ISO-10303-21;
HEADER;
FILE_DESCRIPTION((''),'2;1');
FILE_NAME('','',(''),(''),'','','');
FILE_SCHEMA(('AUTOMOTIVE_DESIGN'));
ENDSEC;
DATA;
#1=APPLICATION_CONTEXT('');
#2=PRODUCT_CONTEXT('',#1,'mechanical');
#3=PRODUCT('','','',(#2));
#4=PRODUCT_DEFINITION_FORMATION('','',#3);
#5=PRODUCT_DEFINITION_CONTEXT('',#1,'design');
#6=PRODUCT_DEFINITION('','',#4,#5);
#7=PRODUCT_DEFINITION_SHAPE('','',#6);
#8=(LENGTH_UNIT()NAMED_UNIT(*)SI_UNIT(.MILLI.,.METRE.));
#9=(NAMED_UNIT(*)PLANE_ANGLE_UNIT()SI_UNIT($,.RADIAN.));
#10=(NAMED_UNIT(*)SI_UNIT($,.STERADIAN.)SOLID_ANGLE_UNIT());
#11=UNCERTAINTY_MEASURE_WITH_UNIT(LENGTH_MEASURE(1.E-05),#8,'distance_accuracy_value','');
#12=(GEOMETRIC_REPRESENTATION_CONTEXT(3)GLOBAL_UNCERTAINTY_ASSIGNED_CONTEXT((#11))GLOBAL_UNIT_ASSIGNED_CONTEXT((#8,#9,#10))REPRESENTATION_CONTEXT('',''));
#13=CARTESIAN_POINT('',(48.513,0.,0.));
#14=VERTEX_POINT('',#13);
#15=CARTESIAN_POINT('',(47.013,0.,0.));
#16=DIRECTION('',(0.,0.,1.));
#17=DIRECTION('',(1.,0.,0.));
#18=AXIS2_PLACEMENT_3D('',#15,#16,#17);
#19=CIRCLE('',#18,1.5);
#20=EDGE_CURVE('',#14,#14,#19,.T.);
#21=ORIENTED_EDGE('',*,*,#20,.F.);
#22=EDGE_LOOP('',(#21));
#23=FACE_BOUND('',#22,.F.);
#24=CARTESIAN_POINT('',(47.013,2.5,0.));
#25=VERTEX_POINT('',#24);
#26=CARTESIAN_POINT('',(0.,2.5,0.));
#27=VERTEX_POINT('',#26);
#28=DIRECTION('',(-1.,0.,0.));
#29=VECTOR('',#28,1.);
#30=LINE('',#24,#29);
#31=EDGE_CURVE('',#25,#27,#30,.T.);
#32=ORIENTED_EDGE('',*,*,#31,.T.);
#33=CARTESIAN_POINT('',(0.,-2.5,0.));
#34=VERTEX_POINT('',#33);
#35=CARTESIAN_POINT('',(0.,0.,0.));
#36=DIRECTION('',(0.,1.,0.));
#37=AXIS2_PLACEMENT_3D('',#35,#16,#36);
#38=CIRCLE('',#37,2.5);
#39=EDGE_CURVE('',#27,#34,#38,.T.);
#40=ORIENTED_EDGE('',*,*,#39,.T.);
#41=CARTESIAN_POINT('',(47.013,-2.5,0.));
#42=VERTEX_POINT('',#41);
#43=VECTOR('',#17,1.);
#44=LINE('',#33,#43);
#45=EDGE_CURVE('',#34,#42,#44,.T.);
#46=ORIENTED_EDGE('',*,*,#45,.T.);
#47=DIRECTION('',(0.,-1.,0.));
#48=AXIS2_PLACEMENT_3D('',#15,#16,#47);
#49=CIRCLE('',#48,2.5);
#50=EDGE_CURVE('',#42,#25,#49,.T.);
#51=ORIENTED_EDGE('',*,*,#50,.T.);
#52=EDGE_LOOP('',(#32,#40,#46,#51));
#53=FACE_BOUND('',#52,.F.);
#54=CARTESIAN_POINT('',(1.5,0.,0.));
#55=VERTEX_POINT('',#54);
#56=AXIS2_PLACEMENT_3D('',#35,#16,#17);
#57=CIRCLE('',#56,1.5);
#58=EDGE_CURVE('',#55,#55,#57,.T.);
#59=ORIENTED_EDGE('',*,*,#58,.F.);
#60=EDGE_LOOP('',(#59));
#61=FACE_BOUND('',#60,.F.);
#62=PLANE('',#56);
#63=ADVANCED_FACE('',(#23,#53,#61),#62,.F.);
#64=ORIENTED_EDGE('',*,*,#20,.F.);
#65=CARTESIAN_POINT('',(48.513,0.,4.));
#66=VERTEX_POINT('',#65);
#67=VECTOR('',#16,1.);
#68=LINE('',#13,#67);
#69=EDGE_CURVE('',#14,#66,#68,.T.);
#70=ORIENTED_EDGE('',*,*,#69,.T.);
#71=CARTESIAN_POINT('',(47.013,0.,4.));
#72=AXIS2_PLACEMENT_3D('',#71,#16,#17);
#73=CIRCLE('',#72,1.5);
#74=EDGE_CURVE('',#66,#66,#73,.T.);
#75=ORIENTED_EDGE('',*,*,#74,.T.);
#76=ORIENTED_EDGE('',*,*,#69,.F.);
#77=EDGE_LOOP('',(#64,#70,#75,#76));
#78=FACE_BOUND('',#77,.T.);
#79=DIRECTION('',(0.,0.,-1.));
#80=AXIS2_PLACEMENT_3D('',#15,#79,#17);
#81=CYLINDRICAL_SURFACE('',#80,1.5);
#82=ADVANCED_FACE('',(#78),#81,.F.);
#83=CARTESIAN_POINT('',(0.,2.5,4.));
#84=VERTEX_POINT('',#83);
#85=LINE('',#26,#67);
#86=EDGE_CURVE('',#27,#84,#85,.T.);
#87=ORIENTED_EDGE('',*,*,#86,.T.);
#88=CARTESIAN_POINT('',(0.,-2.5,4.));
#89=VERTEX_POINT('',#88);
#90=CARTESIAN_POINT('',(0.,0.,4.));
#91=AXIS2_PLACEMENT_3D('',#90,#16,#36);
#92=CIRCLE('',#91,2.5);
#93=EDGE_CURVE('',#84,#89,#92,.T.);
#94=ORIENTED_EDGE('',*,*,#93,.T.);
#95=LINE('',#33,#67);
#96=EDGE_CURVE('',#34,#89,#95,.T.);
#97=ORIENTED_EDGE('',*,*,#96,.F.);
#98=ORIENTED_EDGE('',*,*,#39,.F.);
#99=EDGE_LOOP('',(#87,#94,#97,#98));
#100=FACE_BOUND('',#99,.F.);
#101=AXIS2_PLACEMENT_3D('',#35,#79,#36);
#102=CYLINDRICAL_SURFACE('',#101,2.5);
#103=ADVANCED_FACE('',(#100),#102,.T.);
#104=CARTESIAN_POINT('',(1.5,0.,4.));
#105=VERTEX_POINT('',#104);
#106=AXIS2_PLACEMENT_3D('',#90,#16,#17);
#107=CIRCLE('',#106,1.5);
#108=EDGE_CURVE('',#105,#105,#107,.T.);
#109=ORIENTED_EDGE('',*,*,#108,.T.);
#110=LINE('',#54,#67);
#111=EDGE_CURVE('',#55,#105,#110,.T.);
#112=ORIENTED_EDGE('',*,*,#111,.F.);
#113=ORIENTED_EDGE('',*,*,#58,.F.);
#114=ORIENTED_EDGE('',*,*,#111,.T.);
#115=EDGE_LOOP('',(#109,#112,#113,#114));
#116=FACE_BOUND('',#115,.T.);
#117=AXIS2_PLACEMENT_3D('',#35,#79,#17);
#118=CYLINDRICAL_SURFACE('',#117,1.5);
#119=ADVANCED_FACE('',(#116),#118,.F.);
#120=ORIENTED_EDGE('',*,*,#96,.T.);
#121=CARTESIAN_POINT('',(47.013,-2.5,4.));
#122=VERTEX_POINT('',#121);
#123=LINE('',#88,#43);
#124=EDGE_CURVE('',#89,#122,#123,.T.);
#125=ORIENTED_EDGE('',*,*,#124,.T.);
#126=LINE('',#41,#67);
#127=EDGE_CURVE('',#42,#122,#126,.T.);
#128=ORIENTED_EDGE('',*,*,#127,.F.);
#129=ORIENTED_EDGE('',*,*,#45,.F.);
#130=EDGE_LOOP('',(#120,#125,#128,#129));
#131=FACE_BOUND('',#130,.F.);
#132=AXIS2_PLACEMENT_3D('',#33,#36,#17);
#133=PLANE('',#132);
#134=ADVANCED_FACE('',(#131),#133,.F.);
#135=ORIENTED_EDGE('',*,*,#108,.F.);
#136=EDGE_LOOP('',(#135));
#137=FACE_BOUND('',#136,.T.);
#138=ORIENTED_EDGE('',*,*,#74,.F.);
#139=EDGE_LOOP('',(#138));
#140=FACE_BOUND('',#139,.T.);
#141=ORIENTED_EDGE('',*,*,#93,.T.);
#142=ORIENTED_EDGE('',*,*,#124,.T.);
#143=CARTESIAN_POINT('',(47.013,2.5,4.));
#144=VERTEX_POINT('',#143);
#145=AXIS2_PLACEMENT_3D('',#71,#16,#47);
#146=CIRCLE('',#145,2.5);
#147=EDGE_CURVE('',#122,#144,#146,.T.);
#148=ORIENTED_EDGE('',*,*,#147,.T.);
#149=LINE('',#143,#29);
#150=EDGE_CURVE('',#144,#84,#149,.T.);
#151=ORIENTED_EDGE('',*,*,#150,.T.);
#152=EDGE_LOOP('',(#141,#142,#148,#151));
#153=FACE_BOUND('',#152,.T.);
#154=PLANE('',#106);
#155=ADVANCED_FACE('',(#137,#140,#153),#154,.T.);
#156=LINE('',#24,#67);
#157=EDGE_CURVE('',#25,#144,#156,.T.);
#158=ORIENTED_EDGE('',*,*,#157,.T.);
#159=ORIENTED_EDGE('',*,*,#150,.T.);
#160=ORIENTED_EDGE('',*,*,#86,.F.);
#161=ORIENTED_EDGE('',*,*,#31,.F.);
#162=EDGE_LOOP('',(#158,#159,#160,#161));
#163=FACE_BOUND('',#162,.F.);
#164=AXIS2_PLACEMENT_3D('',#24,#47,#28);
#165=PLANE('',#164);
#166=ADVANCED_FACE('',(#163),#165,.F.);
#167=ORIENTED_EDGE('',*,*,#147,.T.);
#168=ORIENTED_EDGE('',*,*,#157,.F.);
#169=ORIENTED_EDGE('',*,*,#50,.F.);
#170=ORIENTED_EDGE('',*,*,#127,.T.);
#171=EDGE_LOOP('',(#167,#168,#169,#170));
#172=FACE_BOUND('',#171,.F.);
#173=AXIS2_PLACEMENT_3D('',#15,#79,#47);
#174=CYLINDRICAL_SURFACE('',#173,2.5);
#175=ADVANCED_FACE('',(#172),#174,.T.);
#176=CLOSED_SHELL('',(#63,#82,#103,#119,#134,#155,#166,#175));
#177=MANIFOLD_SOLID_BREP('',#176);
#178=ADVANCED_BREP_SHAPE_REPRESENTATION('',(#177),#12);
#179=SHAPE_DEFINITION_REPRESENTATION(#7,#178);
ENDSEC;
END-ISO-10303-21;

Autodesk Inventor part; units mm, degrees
ref_plane "YZ Plane" through (0, 0, 0) normal (1, 0, 0) x (0, 1, 0)
ref_plane "XZ Plane" through (0, 0, 0) normal (0, 1, 0) x (-1, 0, 0)
ref_plane "XY Plane" through (0, 0, 0) normal (0, 0, 1) x (1, 0, 0)
sketch "스케치1" plane through (0, 0, 0) normal (0, 0, 1) x (1, 0, 0)
  line L0 (0, 0) -> (47.013, 0) construction
  line L1 (0, -2.5) -> (47.013, -2.5)
  line L2 (47.013, 2.5) -> (0, 2.5)
  arc A0 (0, 2.5) -> (0, -2.5) centre (0, 0) ccw
  arc A1 (47.013, -2.5) -> (47.013, 2.5) centre (47.013, 0) ccw
  circle A2 centre (0, 0) radius 1.5
  circle A3 centre (47.013, 0) radius 1.5
  point P0 (23.5065, 0)
  point P1 (49.513, 0)
  point P2 (-2.5, 0)
  dimension "d0" = 5
  dimension "d4" = 3
  dimension "d5" = 3
  dimension "d6" = 47.013
extrude "돌출1" add sketch "스케치1" along normal blind 4
properties part number "SteeringAxis"
